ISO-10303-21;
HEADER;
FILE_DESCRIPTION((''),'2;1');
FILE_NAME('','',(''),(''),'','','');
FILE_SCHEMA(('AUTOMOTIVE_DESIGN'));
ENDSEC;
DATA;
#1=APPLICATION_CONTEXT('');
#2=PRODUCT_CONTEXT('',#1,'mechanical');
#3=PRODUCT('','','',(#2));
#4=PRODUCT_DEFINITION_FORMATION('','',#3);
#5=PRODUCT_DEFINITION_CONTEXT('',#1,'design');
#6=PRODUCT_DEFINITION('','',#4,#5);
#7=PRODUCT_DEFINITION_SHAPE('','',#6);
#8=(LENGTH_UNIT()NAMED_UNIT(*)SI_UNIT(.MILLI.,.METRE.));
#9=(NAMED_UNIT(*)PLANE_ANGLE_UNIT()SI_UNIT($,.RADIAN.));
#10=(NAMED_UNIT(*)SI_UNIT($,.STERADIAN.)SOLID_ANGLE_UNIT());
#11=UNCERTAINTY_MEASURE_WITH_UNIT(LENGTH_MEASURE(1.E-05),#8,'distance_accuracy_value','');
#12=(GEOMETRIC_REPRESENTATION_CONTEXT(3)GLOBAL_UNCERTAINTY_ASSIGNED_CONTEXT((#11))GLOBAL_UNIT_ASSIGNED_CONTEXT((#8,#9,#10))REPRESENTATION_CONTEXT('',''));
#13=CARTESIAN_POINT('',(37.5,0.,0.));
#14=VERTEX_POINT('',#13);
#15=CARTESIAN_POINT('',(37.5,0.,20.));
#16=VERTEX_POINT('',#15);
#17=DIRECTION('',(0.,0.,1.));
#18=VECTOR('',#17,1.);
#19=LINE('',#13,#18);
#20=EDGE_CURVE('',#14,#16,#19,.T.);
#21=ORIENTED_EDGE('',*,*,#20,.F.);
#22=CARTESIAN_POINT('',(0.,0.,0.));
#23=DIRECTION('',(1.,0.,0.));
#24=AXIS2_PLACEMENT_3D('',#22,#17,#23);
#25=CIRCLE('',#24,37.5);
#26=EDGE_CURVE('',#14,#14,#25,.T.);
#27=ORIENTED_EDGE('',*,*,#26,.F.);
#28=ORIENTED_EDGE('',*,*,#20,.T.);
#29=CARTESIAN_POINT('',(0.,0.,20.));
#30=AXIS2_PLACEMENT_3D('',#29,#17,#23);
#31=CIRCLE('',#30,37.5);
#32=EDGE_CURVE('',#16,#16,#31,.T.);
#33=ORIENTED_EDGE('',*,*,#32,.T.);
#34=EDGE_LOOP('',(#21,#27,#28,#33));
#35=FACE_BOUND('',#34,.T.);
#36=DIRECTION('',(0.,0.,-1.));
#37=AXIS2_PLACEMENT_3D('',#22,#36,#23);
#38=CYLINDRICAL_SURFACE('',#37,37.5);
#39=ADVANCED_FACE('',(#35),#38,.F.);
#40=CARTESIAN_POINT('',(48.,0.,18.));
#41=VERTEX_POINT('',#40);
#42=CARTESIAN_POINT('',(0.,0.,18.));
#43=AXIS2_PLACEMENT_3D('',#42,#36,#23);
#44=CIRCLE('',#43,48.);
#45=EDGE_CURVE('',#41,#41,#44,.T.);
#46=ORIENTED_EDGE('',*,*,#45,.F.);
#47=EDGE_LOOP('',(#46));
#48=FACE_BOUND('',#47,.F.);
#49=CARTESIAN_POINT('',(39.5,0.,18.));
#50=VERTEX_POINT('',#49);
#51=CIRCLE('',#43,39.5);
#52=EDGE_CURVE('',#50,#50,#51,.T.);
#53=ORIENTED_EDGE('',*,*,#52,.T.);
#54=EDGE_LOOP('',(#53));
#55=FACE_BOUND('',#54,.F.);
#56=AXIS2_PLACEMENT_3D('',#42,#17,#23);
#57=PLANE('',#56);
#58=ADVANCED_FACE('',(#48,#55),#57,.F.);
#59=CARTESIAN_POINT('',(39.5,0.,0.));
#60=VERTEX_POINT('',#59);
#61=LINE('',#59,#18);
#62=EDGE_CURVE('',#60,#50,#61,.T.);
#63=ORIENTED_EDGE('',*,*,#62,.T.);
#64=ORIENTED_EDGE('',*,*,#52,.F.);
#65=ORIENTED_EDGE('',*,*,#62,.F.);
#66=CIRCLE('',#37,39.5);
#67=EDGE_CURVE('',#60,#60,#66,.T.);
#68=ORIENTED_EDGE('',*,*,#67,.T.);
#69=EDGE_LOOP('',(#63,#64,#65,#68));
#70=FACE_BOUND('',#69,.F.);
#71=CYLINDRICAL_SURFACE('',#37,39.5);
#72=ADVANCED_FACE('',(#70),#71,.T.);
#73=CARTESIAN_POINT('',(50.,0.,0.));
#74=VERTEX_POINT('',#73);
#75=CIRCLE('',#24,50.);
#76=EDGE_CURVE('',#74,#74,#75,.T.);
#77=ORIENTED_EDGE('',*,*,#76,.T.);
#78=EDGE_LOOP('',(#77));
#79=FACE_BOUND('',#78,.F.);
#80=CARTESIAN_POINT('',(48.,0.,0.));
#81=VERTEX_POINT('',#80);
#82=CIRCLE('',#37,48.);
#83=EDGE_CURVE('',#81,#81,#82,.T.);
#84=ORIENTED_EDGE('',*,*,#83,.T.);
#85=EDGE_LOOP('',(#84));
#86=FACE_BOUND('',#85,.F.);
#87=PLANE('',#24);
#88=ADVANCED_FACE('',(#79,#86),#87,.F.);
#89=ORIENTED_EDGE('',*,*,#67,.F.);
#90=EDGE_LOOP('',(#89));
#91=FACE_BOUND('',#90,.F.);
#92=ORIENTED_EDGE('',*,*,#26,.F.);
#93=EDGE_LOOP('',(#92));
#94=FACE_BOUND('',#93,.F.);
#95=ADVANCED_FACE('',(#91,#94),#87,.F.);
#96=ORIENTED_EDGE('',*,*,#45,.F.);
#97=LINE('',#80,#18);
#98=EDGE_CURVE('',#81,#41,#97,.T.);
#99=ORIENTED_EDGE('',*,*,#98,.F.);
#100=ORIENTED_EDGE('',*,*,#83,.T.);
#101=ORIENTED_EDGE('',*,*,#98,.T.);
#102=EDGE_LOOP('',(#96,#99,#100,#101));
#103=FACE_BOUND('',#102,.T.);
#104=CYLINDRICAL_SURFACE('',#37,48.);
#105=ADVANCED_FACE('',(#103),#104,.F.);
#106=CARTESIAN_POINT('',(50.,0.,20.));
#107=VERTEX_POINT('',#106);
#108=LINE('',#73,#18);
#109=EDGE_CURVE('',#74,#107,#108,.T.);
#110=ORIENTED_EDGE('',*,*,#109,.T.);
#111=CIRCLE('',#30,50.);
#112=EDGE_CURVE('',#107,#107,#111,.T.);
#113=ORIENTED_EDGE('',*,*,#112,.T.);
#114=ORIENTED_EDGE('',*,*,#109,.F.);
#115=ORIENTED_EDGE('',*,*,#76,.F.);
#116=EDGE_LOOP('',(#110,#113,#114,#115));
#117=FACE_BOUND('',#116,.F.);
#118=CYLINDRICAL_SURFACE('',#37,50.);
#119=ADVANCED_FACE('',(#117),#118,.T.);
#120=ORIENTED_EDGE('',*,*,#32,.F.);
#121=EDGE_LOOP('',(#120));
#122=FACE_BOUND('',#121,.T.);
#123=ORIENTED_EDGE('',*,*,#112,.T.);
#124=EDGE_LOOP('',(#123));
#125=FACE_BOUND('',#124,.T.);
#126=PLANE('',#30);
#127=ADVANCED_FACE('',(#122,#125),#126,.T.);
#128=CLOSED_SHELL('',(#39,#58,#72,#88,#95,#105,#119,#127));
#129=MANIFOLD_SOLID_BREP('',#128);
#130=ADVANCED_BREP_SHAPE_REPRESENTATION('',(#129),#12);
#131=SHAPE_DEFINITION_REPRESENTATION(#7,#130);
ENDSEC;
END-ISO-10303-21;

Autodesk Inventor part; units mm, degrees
ref_plane "YZ Plane" through (0, 0, 0) normal (1, 0, 0) x (0, 1, 0)
ref_plane "XZ Plane" through (0, 0, 0) normal (0, 1, 0) x (-1, 0, 0)
ref_plane "XY Plane" through (0, 0, 0) normal (0, 0, 1) x (1, 0, 0)
sketch "Sketch1" plane through (0, 0, 0) normal (0, 0, 1) x (1, 0, 0)
  circle A0 centre (0, 0) radius 50
  circle A1 centre (0, 0) radius 37.5
  dimension "d0" = 100
  dimension "d1" = 75
extrude "Extrusion1" add sketch "Sketch1" along normal blind 20
shell "Shell1" thickness 2 removed faces 1 at (3.2515, -45.5131, 0)
properties part number "Cylinder Beam" material "Polycarbonate, Smoke"
